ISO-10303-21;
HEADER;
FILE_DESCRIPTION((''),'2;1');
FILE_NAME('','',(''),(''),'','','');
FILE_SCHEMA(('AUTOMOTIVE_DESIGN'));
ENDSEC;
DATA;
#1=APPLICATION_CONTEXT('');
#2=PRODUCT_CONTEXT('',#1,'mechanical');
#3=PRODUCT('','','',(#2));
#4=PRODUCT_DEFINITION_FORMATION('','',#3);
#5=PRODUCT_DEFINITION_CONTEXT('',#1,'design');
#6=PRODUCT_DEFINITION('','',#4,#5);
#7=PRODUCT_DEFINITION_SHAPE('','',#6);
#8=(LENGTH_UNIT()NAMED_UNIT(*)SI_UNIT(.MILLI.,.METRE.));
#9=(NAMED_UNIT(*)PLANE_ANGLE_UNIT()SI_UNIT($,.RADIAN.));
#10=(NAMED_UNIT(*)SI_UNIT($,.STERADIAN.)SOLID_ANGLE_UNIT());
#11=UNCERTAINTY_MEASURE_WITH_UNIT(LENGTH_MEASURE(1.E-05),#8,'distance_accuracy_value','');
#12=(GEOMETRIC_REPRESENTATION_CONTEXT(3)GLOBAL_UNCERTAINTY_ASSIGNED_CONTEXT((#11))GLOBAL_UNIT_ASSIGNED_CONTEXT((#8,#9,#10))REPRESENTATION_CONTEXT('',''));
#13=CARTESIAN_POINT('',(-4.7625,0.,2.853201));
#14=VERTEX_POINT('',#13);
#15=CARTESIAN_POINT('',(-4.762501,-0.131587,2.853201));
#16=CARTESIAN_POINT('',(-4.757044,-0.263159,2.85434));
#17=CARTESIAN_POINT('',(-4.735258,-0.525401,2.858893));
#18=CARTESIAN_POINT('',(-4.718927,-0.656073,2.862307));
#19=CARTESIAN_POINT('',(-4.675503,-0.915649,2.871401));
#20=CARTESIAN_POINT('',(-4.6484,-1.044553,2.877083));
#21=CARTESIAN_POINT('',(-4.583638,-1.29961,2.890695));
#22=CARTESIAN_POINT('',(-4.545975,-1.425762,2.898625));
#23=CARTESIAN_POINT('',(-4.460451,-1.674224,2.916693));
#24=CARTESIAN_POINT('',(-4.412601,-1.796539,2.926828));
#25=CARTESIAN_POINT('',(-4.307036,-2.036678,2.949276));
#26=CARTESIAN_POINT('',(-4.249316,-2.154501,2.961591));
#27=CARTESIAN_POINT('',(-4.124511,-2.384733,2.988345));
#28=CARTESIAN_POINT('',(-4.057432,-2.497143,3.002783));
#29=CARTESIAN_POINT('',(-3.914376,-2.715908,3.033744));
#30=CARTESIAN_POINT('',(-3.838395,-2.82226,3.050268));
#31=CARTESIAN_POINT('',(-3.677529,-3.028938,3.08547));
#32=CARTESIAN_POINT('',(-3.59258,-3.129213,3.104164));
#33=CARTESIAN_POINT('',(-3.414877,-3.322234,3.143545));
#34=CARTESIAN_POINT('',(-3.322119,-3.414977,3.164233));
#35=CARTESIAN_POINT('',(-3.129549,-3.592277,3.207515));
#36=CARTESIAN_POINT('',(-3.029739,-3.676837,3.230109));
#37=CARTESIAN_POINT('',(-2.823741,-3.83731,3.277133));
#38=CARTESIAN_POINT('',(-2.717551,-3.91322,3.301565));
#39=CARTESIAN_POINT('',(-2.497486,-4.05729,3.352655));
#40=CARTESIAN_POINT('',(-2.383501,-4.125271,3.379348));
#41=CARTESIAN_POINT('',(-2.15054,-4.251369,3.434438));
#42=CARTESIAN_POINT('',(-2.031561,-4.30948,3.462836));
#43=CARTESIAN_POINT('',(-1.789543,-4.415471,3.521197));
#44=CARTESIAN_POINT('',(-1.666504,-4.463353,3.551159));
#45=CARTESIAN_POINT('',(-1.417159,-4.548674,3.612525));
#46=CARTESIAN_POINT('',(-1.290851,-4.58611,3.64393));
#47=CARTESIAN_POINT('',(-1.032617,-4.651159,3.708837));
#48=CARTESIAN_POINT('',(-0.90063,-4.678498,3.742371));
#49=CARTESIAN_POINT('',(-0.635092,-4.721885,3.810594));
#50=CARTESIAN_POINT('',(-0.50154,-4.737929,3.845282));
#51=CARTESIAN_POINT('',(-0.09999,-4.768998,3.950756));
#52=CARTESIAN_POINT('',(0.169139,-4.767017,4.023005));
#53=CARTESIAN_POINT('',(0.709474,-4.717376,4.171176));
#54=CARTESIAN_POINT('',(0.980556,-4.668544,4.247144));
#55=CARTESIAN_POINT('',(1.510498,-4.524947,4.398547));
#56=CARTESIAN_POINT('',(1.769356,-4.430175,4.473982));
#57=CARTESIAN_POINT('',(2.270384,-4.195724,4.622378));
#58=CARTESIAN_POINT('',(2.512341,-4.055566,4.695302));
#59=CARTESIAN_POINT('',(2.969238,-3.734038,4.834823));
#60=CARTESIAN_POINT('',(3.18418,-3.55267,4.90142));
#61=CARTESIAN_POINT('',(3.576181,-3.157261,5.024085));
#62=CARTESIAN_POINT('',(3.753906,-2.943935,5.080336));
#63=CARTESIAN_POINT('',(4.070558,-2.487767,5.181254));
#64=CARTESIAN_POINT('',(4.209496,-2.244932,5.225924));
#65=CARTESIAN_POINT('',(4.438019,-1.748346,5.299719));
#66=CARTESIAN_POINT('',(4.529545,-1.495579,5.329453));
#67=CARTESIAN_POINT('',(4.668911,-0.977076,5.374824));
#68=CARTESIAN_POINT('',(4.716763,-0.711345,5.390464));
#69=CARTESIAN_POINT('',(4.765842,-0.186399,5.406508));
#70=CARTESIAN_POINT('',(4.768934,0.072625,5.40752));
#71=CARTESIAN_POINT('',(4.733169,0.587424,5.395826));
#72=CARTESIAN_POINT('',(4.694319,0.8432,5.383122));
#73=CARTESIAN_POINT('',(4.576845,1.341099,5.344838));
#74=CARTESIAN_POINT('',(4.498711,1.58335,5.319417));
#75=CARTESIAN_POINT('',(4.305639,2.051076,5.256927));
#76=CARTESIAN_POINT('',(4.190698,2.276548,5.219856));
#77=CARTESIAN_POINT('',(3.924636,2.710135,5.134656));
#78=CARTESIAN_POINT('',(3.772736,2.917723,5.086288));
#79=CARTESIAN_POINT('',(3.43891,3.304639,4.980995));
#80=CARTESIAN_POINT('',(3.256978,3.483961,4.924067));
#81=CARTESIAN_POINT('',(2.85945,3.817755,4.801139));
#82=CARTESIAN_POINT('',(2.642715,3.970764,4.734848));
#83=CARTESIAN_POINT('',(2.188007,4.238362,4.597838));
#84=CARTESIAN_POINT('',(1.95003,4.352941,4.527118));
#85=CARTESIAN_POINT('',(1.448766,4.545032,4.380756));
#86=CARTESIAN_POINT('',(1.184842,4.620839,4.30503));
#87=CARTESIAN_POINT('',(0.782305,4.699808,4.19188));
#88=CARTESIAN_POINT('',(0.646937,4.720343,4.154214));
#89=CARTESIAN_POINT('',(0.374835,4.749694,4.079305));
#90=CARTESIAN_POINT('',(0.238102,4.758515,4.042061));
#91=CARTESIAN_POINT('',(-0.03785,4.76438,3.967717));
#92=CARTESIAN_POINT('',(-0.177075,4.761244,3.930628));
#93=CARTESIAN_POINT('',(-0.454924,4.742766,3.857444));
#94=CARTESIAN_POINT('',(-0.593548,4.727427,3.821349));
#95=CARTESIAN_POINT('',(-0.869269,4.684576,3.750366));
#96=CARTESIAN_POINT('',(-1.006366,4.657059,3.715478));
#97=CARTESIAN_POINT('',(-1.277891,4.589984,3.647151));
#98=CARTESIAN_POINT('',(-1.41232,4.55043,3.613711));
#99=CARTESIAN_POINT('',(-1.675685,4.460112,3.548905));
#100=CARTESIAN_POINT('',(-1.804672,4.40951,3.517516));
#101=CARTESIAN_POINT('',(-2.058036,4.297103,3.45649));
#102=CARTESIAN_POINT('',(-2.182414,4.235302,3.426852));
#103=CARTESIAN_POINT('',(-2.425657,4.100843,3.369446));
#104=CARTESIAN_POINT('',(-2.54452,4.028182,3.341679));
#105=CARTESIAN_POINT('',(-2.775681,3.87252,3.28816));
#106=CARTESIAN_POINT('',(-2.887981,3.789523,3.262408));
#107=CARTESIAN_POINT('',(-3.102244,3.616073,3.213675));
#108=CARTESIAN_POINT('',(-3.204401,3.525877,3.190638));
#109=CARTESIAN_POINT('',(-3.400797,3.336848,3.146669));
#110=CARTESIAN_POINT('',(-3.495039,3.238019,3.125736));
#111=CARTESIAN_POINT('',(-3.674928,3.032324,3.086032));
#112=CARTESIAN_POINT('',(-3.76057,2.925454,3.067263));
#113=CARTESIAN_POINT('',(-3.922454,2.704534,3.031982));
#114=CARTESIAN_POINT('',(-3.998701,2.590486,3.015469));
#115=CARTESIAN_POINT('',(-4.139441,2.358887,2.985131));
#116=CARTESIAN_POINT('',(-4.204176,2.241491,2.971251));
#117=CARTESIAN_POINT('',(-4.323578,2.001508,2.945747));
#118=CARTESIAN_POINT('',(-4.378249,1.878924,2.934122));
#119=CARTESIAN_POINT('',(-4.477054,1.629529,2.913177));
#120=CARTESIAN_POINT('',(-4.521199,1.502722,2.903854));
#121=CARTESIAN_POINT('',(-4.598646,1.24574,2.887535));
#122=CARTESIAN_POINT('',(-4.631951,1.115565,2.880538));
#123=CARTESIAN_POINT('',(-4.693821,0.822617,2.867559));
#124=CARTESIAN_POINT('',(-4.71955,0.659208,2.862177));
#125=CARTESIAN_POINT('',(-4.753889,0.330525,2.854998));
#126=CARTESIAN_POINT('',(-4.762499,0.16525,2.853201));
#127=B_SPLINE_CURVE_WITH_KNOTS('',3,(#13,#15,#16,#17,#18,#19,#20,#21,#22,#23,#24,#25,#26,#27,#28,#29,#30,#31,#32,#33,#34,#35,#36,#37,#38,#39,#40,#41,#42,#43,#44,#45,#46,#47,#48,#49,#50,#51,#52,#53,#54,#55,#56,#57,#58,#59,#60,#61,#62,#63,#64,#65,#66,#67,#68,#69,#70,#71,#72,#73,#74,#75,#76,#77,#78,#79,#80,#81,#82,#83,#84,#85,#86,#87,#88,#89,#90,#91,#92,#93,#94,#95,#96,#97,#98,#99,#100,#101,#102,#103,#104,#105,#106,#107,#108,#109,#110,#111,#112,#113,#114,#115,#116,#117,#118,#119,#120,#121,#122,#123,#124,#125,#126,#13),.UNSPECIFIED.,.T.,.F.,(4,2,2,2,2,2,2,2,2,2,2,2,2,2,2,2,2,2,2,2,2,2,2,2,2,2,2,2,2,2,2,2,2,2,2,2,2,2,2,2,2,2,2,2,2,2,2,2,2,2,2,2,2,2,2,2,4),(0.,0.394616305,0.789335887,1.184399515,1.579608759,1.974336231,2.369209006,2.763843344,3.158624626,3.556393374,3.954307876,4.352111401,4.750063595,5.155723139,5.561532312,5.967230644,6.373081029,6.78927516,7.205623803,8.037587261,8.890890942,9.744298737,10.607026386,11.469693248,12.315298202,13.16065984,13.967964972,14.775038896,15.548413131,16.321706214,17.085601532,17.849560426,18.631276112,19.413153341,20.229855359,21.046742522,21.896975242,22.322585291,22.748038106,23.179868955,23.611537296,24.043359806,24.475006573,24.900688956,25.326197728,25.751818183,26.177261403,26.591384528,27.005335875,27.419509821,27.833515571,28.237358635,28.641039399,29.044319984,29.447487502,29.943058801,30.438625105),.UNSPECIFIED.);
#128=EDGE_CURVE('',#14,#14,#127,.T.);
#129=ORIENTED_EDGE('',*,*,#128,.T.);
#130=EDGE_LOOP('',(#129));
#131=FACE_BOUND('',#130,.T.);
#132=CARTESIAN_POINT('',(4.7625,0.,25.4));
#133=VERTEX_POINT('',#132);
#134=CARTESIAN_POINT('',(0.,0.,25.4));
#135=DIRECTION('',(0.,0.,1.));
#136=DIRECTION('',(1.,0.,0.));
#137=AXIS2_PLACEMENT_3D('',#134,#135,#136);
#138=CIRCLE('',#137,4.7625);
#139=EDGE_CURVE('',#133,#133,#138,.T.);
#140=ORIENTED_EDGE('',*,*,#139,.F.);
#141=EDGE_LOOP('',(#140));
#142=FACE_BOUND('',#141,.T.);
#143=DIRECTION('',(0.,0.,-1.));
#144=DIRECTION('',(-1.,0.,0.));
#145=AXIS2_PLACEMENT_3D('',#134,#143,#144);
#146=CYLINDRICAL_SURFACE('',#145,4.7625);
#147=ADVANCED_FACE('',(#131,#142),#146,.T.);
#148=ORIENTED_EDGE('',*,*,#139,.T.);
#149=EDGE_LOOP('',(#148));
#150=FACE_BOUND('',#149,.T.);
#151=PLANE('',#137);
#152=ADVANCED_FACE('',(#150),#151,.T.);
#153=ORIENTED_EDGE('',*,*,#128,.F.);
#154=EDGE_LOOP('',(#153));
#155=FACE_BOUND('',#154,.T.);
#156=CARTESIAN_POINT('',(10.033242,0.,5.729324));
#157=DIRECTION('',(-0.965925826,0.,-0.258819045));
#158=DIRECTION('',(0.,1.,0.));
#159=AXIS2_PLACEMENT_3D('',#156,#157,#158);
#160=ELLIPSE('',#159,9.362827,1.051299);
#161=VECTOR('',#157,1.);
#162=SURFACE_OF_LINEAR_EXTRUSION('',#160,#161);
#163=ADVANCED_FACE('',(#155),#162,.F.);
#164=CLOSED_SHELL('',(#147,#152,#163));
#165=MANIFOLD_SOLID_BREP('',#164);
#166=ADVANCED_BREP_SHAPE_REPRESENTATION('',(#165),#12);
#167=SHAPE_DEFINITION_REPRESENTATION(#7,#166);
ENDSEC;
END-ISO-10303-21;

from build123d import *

# Parameters (mm, degrees)
SKETCH1_R               = 4.7625
BOSS_EXTRUDE1_DEPTH     = 25.4
SKETCH2_RX              = 4.7625
SKETCH2_RY              = 1.232625702
SKETCH2_RX_2            = 9.362827468
SKETCH2_RY_2            = 1.051298719
CUT_EXTRUDE1_DEPTH      = 27.277800755
CUT_EXTRUDE1_DEPTH_BACK = 27.277800755


with BuildPart() as part:
    # Sketch1 → Boss-Extrude1 (new body)
    with BuildSketch(Plane.XY):
        Circle(SKETCH1_R)
    extrude(amount=BOSS_EXTRUDE1_DEPTH)

    # Sketch2 → Cut-Extrude1 (cut, two sides)
    with BuildSketch(Plane(origin=(0, 0, 0), x_dir=(0, 1, 0), z_dir=(-0.9659258262890691, 0, -0.2588190451025179))) as cut_extrude1_sk:
        with Locations(Location((0, 0), (0, 0, 180))):
            Ellipse(SKETCH2_RX, SKETCH2_RY)
        with Locations((0, -2.93730779)):
            Ellipse(SKETCH2_RX_2, SKETCH2_RY_2)
    extrude(amount=CUT_EXTRUDE1_DEPTH, mode=Mode.SUBTRACT)
    extrude(cut_extrude1_sk.sketch, amount=-CUT_EXTRUDE1_DEPTH_BACK, mode=Mode.SUBTRACT)


with BuildPart() as cut_extrude1_kept_piece:
    # of the separate pieces the step leaves, the one the design keeps (cut_extrude1_pieces_kept)
    add(part.part.solids().sort_by_distance((-0.996279445, 4.657127174, 3.718165509))[0])


solid = cut_extrude1_kept_piece.part
